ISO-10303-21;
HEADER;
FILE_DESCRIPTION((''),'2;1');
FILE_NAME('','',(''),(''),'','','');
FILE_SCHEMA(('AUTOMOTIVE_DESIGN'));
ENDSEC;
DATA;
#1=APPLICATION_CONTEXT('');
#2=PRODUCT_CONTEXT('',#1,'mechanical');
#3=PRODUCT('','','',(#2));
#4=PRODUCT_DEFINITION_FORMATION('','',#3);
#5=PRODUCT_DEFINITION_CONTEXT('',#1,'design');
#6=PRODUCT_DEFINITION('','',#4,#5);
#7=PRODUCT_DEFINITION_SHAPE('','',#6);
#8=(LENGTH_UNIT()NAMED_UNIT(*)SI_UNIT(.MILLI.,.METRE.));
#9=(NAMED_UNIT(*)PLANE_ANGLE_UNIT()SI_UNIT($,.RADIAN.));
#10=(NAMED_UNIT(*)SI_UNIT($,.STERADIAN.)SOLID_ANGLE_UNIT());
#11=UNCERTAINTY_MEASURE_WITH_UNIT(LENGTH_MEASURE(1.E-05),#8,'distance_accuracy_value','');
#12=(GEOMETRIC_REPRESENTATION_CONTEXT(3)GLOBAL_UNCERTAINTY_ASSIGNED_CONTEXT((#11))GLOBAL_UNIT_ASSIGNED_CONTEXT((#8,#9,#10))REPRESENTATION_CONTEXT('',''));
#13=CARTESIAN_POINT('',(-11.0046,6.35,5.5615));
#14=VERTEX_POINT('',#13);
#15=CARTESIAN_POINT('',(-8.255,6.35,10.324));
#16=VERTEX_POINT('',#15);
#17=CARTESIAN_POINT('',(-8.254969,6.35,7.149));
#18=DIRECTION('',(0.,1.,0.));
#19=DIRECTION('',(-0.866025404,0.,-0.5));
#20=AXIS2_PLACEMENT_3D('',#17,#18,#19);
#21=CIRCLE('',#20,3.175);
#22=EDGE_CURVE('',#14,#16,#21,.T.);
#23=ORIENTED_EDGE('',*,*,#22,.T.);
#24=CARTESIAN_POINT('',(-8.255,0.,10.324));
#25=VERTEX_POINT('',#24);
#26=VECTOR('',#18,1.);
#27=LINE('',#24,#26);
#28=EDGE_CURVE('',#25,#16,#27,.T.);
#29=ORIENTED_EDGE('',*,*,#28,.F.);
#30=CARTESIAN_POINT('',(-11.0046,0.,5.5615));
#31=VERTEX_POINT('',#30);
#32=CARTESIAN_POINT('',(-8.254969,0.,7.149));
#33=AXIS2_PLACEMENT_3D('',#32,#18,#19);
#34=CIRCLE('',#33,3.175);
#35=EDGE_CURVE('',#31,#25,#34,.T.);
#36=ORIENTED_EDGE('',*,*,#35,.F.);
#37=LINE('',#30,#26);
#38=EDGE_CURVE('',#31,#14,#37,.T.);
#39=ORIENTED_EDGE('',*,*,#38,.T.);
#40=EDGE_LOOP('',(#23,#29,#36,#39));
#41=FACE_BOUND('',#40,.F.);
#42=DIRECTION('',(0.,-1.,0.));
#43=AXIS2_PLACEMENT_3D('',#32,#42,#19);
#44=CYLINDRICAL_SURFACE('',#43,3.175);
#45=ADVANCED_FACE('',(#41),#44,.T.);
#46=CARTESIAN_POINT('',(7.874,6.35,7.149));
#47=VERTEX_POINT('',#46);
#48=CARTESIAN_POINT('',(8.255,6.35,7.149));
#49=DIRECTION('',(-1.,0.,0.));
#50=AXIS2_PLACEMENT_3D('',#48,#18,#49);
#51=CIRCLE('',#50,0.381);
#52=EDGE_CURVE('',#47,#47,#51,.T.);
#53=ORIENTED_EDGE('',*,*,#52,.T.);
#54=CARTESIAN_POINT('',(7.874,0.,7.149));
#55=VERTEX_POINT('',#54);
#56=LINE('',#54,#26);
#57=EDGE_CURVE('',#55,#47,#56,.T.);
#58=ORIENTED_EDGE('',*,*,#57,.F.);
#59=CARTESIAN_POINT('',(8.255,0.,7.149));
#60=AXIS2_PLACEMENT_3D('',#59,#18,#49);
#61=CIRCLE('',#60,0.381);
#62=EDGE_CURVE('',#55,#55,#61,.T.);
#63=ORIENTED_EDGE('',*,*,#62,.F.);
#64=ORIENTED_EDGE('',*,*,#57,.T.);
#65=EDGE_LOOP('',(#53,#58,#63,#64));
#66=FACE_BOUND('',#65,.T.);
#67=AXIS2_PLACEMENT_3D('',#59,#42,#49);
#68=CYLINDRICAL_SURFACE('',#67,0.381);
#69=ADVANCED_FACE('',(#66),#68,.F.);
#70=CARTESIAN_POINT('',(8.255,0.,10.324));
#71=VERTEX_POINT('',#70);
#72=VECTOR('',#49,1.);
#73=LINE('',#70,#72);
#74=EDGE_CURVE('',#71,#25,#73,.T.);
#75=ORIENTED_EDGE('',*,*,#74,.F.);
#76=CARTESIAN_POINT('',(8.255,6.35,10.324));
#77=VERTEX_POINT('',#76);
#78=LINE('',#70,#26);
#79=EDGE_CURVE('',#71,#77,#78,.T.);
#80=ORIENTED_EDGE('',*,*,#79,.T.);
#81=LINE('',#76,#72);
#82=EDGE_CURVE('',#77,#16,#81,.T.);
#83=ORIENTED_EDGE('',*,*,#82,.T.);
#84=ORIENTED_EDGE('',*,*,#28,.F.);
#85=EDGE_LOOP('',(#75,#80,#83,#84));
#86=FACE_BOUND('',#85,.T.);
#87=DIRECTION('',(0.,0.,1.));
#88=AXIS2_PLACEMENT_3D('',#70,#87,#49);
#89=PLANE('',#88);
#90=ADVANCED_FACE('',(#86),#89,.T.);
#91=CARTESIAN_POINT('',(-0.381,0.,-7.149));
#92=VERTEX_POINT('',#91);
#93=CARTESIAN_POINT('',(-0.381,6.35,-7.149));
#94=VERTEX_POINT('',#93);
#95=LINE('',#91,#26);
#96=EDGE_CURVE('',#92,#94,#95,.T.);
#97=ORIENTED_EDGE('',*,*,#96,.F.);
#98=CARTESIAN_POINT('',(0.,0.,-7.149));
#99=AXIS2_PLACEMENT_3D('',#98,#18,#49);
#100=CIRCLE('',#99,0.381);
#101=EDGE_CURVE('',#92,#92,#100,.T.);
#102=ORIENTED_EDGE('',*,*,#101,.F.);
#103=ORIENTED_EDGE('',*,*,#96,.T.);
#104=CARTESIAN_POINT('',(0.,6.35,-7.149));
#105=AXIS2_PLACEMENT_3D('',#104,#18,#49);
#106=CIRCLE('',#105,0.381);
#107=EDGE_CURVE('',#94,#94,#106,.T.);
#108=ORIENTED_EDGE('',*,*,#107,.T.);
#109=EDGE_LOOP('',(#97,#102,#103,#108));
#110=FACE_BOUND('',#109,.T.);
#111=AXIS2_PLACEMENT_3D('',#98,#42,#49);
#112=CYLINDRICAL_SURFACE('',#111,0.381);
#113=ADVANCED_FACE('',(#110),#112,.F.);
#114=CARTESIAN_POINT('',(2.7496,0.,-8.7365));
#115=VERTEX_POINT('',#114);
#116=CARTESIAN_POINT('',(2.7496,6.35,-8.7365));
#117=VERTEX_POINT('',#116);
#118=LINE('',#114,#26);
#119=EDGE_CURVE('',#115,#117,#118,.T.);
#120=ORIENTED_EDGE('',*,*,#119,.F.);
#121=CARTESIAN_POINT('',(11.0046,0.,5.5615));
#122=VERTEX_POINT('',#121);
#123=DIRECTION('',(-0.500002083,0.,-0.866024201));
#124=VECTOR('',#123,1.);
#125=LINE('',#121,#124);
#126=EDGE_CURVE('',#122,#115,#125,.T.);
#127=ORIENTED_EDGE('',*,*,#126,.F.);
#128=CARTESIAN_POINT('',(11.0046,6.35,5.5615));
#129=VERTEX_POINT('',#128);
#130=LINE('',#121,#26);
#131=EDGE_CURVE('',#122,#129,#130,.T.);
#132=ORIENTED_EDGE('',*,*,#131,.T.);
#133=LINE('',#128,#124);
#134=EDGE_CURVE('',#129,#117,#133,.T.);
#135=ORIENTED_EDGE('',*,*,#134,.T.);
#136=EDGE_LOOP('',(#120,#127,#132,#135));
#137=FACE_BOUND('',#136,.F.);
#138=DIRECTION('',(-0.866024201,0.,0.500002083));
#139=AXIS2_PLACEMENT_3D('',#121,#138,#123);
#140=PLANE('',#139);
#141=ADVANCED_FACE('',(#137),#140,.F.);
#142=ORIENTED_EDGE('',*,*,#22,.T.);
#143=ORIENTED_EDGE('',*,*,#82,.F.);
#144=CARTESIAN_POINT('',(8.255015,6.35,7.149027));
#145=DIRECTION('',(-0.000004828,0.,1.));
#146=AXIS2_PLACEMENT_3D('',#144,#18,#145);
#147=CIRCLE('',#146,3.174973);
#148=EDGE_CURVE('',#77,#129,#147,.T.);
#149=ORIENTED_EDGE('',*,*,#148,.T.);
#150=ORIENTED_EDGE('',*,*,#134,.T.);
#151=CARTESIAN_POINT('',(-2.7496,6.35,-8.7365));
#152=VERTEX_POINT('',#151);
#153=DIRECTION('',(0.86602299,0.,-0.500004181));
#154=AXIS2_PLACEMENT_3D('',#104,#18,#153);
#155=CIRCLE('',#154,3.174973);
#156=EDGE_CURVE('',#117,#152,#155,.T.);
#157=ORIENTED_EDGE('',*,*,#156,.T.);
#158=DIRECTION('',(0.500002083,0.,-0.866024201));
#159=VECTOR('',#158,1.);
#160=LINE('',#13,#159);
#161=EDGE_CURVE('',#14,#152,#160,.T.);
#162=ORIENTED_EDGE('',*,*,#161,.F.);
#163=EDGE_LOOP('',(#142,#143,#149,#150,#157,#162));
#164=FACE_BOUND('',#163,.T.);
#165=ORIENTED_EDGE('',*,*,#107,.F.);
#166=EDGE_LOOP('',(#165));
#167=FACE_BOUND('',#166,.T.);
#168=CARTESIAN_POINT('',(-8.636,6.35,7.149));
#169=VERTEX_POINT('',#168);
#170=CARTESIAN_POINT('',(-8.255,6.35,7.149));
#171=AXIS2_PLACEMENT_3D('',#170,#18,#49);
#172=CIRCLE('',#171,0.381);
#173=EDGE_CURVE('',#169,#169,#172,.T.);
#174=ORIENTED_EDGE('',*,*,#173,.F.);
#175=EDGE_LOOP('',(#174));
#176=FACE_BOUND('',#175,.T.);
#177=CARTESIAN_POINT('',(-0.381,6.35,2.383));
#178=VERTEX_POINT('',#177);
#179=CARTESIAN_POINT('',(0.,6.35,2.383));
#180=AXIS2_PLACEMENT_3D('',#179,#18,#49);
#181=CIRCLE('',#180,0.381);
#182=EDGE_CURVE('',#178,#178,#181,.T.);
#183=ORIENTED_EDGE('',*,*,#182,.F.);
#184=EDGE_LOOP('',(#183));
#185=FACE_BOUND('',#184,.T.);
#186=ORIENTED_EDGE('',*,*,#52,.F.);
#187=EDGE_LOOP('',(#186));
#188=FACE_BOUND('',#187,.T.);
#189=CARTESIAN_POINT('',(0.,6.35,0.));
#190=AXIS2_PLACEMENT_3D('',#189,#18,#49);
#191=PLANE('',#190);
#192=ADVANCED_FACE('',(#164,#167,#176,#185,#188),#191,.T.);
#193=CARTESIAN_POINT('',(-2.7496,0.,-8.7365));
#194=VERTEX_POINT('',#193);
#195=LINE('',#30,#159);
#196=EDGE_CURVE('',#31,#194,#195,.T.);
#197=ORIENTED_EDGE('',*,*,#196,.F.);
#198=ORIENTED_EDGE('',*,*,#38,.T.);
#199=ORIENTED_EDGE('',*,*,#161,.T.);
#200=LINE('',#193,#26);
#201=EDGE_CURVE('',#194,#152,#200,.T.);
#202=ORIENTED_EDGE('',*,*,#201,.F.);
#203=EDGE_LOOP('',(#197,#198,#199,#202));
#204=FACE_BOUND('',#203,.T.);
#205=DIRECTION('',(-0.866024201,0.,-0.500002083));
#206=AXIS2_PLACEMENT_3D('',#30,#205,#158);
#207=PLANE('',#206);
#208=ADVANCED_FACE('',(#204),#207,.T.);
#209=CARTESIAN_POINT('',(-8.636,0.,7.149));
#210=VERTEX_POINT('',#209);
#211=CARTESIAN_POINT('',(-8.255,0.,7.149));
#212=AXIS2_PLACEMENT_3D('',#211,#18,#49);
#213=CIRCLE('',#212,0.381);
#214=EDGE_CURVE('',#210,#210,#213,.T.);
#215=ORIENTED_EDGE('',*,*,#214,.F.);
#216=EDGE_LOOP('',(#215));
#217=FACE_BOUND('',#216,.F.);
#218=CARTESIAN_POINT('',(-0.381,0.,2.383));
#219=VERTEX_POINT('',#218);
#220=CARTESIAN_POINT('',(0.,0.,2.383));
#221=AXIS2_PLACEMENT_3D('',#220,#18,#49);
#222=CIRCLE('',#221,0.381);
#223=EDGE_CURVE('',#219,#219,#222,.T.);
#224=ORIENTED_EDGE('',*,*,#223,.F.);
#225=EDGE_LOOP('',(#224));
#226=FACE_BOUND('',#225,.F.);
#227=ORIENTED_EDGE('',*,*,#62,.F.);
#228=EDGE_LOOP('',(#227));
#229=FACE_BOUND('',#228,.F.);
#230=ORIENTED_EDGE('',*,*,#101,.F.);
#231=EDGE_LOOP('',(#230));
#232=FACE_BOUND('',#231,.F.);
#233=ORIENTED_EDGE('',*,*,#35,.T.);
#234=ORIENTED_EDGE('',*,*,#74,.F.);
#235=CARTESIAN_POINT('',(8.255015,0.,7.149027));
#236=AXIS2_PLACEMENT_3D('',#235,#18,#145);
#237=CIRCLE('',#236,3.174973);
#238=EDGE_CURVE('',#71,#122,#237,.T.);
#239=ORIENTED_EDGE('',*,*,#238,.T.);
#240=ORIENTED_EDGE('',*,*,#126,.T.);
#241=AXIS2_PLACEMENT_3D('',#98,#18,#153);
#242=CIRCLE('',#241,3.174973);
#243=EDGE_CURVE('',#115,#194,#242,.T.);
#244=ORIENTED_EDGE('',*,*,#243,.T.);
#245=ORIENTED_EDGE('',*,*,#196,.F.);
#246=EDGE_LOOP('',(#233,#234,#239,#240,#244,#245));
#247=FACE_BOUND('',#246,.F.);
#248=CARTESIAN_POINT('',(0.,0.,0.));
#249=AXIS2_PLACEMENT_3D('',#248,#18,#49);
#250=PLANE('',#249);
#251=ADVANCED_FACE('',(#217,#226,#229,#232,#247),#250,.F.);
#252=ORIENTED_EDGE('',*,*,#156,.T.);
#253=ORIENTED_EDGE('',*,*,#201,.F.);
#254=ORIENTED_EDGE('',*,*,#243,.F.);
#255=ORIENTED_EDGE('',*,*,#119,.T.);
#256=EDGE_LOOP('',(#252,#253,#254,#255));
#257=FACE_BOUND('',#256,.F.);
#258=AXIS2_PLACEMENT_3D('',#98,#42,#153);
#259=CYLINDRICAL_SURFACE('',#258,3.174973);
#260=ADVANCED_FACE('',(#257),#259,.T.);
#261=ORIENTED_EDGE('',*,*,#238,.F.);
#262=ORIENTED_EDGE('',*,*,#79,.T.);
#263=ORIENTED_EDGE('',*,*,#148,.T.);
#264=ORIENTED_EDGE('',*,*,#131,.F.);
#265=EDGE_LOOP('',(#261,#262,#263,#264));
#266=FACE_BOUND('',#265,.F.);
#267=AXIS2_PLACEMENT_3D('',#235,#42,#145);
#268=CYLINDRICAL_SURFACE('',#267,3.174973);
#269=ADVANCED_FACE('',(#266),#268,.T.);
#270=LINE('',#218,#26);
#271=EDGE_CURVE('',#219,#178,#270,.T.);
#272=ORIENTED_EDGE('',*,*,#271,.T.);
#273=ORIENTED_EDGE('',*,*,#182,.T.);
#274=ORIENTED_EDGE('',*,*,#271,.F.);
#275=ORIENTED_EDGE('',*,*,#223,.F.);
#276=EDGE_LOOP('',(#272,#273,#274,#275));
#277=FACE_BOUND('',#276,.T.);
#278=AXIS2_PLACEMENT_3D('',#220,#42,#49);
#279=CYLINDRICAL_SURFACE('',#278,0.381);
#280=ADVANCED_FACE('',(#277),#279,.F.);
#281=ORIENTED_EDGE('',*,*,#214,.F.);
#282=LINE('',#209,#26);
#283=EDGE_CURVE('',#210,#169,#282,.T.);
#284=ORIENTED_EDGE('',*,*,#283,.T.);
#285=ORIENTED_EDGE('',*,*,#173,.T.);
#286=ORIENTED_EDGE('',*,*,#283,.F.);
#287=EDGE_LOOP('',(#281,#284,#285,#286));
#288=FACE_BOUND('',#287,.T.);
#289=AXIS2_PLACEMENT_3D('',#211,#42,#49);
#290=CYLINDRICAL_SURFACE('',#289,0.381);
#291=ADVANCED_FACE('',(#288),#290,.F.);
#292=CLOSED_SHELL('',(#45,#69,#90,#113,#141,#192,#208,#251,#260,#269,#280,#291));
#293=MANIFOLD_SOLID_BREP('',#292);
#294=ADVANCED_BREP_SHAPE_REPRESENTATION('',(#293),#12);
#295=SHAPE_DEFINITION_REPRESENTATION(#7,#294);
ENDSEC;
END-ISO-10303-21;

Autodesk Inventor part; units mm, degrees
ref_plane "YZ Plane" through (0, 0, 0) normal (1, 0, 0) x (0, 1, 0)
ref_plane "XZ Plane" through (0, 0, 0) normal (0, 1, 0) x (-1, 0, 0)
ref_plane "XY Plane" through (0, 0, 0) normal (0, 0, 1) x (1, 0, 0)
sketch "Sketch1" plane through (0, 0, 0) normal (0, 1, 0) x (-1, 0, 0)
  line L0 (-8.255, 7.149) -> (8.255, 7.149) construction
  line L1 (8.255, 7.149) -> (0, -7.149) construction
  line L2 (0, -7.149) -> (-8.255, 7.149) construction
  line L3 (0, -7.149) -> (0, 7.149) construction
  circle A0 centre (-8.255, 7.149) radius 1.524 construction
  circle A1 centre (8.255, 7.149) radius 1.524 construction
  circle A2 centre (0, -7.149) radius 1.524 construction
  circle A3 centre (-8.255, 7.149) radius 0.381
  circle A4 centre (8.255, 7.149) radius 0.381
  circle A5 centre (0, -7.149) radius 0.381
  line L4 (-8.255, 10.324) -> (8.255, 10.324)
  line L5 (-11.0046, 5.5615) -> (-2.7496, -8.7365)
  line L6 (11.0046, 5.5615) -> (2.7496, -8.7365)
  arc A6 (-8.255, 10.324) -> (-11.0046, 5.5615) centre (-8.255, 7.149) ccw
  arc A7 (11.0046, 5.5615) -> (8.255, 10.324) centre (8.255, 7.149) ccw
  arc A8 (-2.7496, -8.7365) -> (2.7496, -8.7365) centre (0, -7.149) ccw
  line L7 (8.255, 7.149) -> (-4.1275, 0) construction
  line L8 (-8.255, 7.149) -> (4.1275, 0) construction
  circle A9 centre (0, 2.383) radius 0.381
  point P0 (0, 0)
  point P1 (0, 0)
  dimension "d1" = 16.51
  dimension "d2" = 3.048
  dimension "d3" = 0.762
  dimension "d4" = 3.175
  dimension "d5" = 0.762
extrude "Extrusion1" add sketch "Sketch1" along normal blind 6.35
properties part number "RollerMounter"
